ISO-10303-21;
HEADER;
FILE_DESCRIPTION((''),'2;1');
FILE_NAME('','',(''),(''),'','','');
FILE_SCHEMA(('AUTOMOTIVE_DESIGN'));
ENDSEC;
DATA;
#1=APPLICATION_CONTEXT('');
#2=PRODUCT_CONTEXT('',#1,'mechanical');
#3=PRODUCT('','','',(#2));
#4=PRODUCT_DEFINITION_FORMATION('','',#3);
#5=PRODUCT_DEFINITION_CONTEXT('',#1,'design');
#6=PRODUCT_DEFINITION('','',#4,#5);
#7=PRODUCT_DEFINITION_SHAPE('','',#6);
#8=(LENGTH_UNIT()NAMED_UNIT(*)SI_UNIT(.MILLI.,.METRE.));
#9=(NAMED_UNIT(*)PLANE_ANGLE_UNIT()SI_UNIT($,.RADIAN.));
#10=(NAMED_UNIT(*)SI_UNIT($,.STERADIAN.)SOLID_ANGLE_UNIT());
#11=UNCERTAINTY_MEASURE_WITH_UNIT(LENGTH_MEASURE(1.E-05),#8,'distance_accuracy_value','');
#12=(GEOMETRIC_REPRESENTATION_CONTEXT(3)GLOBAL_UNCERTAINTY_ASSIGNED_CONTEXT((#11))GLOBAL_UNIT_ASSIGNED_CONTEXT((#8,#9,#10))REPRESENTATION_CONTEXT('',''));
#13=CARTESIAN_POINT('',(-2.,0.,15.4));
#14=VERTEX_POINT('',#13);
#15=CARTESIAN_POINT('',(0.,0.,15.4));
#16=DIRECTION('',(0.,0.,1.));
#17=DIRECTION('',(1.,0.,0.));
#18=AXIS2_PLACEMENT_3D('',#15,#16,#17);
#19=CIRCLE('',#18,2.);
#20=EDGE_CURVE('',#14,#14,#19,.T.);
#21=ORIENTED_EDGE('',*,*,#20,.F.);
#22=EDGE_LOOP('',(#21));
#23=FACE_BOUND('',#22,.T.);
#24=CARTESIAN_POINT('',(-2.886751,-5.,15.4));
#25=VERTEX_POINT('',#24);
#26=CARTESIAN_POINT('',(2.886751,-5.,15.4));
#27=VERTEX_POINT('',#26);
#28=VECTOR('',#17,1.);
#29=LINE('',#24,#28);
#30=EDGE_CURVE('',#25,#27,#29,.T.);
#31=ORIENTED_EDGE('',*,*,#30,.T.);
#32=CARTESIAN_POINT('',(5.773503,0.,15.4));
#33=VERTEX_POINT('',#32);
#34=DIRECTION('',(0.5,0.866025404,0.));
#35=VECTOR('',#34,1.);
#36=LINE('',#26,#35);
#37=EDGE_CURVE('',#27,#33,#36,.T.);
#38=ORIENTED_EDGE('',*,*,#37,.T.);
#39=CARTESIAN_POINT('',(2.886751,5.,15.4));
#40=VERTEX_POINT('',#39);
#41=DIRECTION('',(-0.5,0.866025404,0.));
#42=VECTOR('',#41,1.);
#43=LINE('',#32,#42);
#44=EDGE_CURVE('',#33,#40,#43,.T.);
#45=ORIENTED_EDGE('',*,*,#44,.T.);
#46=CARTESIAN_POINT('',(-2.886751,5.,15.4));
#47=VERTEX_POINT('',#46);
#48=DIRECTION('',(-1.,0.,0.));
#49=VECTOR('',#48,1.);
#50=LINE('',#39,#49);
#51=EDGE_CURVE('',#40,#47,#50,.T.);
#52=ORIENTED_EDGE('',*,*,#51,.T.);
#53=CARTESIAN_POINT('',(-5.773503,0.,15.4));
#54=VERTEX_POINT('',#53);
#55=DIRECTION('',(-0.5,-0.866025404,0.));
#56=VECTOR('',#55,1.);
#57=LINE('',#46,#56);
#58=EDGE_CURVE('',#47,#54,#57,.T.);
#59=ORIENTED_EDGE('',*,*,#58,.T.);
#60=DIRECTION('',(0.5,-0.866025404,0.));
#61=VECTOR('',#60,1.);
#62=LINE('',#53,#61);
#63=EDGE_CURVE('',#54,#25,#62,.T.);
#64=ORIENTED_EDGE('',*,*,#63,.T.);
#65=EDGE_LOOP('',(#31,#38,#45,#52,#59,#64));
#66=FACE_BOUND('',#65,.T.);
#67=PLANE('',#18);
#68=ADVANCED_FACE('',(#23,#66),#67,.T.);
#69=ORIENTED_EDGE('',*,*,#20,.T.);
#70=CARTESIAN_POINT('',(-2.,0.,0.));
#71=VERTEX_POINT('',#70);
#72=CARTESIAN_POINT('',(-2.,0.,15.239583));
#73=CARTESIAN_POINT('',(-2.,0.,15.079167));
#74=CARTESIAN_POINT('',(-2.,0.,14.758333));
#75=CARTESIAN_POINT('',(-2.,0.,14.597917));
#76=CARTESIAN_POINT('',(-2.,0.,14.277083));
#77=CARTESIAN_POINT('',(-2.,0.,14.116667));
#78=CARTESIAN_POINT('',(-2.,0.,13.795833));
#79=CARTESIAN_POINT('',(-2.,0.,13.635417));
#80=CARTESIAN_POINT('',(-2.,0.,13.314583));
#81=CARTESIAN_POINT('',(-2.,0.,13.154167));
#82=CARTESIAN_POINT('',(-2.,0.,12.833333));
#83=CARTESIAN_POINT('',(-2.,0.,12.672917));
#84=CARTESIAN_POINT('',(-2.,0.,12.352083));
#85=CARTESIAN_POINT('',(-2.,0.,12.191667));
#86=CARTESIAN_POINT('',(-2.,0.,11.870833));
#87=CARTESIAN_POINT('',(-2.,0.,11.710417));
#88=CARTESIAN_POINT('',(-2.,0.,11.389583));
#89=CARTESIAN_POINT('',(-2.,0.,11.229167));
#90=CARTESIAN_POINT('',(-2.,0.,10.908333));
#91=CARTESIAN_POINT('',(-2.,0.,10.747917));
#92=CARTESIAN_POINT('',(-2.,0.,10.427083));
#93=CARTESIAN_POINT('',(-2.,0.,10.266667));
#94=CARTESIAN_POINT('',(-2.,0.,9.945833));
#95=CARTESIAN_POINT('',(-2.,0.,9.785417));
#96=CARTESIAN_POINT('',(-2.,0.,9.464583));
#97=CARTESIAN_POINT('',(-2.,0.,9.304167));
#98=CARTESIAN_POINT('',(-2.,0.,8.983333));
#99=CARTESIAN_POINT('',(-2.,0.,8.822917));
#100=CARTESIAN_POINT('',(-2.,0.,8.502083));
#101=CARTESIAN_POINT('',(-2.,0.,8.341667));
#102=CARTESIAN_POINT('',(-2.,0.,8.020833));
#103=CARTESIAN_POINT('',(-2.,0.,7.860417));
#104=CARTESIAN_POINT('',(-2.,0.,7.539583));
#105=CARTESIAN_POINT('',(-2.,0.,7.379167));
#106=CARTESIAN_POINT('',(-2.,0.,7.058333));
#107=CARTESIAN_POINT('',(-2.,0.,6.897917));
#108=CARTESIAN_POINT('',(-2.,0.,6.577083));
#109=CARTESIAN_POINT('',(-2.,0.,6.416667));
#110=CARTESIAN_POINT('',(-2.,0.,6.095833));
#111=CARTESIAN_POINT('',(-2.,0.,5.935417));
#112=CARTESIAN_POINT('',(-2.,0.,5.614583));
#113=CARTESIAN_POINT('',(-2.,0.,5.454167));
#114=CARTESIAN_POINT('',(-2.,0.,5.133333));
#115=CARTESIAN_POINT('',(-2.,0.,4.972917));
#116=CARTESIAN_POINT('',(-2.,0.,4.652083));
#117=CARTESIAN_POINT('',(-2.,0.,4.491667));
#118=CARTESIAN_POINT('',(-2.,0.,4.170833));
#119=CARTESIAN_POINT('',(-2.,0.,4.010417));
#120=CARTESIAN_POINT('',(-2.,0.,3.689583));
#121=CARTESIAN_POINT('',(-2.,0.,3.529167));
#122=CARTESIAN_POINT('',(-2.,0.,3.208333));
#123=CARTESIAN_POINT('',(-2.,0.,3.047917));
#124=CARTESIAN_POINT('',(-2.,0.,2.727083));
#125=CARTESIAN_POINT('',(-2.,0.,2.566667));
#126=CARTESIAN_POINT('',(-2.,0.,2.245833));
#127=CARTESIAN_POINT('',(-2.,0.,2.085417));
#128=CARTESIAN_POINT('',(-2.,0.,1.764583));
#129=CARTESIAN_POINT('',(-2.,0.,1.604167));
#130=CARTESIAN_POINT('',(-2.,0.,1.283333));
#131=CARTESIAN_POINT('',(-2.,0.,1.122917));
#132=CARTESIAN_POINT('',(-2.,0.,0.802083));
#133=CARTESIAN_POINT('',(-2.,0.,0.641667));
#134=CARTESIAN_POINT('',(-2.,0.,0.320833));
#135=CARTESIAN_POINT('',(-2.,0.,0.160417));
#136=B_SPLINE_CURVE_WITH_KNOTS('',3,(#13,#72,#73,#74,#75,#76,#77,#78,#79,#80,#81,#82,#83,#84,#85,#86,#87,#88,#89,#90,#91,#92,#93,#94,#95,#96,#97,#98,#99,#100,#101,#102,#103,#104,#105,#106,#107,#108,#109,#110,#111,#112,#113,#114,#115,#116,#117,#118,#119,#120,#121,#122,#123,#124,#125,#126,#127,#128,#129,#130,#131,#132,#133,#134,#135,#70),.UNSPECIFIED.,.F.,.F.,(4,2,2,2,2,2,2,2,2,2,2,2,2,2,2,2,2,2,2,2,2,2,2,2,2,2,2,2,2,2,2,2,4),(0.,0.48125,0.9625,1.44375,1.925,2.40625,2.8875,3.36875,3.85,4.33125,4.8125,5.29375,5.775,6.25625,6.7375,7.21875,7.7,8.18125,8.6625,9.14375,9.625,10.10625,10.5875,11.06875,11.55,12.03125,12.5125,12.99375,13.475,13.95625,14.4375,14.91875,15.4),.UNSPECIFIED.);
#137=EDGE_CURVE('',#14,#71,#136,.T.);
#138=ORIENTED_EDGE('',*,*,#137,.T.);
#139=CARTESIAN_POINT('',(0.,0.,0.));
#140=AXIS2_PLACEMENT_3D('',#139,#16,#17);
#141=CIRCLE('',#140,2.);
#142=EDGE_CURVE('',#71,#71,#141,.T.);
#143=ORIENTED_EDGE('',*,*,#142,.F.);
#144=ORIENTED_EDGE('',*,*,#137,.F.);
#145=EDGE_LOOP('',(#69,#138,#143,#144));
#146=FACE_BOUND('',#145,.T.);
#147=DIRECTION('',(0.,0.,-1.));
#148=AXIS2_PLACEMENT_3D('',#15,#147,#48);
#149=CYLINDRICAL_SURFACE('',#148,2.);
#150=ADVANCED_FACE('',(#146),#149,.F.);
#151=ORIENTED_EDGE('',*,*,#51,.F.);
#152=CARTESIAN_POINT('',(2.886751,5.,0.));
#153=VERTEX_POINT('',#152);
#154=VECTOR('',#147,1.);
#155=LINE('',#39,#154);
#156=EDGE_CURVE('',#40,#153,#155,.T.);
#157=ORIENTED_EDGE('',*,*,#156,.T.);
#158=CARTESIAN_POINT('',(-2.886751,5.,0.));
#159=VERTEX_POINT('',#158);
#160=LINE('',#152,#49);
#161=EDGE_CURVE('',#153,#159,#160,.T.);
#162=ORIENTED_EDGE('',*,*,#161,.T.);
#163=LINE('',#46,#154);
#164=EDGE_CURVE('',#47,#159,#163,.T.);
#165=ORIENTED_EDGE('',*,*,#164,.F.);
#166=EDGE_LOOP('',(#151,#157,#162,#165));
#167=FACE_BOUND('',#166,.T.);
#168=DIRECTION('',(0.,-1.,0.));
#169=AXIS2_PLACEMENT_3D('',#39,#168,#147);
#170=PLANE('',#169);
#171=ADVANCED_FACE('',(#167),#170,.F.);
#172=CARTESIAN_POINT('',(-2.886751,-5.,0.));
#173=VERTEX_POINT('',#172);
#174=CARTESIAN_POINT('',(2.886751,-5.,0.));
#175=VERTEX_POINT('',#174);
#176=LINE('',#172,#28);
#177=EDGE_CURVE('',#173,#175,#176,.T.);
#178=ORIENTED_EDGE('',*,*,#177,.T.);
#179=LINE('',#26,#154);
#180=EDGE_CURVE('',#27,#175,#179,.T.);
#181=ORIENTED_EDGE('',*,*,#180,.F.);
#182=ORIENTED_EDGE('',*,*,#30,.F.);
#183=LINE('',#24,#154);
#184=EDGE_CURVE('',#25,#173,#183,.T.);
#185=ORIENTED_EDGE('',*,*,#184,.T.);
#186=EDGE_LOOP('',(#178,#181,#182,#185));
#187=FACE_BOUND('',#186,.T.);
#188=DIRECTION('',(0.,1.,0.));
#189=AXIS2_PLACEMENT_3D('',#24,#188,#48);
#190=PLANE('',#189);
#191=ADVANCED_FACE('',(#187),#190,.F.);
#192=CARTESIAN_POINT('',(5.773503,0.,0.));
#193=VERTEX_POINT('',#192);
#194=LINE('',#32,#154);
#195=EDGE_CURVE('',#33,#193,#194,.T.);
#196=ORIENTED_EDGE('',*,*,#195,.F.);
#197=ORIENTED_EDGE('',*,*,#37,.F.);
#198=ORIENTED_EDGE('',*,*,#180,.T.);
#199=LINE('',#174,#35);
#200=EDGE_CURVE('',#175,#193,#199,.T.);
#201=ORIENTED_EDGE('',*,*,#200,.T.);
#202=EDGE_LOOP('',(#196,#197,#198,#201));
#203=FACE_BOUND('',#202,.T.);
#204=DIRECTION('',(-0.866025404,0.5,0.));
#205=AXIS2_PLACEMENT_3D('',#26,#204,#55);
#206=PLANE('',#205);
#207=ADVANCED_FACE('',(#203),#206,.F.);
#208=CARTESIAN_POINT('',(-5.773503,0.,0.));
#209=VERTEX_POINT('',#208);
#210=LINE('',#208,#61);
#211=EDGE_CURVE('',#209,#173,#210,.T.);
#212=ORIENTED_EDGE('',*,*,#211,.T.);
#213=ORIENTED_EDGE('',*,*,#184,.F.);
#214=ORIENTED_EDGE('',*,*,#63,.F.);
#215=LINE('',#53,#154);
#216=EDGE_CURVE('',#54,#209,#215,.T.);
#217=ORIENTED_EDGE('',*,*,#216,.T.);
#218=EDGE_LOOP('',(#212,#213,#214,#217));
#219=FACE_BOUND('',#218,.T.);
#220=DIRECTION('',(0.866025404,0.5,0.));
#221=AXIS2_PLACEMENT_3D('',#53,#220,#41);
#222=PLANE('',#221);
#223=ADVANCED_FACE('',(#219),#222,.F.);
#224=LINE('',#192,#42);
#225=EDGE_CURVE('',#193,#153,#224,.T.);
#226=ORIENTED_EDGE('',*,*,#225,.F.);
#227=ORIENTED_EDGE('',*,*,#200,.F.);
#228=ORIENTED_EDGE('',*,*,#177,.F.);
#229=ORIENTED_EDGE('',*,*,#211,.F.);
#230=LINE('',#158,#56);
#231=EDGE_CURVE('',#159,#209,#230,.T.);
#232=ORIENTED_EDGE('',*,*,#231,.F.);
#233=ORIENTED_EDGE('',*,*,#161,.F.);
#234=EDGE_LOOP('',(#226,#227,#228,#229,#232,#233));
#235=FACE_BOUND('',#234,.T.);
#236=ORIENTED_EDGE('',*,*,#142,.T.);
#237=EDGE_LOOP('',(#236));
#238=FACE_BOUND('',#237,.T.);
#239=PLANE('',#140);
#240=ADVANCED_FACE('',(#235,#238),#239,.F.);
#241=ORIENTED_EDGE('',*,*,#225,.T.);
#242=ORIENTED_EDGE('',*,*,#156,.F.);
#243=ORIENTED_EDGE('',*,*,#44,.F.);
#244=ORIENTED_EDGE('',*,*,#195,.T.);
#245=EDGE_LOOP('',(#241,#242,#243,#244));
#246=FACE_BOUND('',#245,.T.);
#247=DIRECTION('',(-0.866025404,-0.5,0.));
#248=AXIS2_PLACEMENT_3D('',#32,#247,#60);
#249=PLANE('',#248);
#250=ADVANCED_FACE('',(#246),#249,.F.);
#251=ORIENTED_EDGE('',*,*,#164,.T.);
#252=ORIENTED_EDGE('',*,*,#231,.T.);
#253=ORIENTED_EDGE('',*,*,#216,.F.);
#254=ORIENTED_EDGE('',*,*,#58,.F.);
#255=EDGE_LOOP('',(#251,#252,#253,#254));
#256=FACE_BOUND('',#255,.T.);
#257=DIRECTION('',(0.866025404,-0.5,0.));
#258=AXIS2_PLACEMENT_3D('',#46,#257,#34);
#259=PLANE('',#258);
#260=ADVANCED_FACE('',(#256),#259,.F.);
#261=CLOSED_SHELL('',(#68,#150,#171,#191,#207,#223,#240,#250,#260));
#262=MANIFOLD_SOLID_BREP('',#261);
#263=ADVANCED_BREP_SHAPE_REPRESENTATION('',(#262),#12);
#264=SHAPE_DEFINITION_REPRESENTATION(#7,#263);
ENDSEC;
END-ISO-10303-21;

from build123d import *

# Parameters (mm, degrees)
SKETCH_1_R      = 2
EXTRUDE_1_DEPTH = 15.4


with BuildPart() as part:
    # 草图1 → 凸台-拉伸1 (new body)
    with BuildSketch(Plane.XY):
        Polygon((2.886751346, -5), (5.773502692, 0), (2.886751346, 5), (-2.886751346, 5), (-5.773502692, 0), (-2.886751346, -5), align=None)
        with Locations(Location((0, 0, 0), (0, 0, 180))):
            Circle(SKETCH_1_R, mode=Mode.SUBTRACT)
    extrude(amount=EXTRUDE_1_DEPTH)


solid = part.part
